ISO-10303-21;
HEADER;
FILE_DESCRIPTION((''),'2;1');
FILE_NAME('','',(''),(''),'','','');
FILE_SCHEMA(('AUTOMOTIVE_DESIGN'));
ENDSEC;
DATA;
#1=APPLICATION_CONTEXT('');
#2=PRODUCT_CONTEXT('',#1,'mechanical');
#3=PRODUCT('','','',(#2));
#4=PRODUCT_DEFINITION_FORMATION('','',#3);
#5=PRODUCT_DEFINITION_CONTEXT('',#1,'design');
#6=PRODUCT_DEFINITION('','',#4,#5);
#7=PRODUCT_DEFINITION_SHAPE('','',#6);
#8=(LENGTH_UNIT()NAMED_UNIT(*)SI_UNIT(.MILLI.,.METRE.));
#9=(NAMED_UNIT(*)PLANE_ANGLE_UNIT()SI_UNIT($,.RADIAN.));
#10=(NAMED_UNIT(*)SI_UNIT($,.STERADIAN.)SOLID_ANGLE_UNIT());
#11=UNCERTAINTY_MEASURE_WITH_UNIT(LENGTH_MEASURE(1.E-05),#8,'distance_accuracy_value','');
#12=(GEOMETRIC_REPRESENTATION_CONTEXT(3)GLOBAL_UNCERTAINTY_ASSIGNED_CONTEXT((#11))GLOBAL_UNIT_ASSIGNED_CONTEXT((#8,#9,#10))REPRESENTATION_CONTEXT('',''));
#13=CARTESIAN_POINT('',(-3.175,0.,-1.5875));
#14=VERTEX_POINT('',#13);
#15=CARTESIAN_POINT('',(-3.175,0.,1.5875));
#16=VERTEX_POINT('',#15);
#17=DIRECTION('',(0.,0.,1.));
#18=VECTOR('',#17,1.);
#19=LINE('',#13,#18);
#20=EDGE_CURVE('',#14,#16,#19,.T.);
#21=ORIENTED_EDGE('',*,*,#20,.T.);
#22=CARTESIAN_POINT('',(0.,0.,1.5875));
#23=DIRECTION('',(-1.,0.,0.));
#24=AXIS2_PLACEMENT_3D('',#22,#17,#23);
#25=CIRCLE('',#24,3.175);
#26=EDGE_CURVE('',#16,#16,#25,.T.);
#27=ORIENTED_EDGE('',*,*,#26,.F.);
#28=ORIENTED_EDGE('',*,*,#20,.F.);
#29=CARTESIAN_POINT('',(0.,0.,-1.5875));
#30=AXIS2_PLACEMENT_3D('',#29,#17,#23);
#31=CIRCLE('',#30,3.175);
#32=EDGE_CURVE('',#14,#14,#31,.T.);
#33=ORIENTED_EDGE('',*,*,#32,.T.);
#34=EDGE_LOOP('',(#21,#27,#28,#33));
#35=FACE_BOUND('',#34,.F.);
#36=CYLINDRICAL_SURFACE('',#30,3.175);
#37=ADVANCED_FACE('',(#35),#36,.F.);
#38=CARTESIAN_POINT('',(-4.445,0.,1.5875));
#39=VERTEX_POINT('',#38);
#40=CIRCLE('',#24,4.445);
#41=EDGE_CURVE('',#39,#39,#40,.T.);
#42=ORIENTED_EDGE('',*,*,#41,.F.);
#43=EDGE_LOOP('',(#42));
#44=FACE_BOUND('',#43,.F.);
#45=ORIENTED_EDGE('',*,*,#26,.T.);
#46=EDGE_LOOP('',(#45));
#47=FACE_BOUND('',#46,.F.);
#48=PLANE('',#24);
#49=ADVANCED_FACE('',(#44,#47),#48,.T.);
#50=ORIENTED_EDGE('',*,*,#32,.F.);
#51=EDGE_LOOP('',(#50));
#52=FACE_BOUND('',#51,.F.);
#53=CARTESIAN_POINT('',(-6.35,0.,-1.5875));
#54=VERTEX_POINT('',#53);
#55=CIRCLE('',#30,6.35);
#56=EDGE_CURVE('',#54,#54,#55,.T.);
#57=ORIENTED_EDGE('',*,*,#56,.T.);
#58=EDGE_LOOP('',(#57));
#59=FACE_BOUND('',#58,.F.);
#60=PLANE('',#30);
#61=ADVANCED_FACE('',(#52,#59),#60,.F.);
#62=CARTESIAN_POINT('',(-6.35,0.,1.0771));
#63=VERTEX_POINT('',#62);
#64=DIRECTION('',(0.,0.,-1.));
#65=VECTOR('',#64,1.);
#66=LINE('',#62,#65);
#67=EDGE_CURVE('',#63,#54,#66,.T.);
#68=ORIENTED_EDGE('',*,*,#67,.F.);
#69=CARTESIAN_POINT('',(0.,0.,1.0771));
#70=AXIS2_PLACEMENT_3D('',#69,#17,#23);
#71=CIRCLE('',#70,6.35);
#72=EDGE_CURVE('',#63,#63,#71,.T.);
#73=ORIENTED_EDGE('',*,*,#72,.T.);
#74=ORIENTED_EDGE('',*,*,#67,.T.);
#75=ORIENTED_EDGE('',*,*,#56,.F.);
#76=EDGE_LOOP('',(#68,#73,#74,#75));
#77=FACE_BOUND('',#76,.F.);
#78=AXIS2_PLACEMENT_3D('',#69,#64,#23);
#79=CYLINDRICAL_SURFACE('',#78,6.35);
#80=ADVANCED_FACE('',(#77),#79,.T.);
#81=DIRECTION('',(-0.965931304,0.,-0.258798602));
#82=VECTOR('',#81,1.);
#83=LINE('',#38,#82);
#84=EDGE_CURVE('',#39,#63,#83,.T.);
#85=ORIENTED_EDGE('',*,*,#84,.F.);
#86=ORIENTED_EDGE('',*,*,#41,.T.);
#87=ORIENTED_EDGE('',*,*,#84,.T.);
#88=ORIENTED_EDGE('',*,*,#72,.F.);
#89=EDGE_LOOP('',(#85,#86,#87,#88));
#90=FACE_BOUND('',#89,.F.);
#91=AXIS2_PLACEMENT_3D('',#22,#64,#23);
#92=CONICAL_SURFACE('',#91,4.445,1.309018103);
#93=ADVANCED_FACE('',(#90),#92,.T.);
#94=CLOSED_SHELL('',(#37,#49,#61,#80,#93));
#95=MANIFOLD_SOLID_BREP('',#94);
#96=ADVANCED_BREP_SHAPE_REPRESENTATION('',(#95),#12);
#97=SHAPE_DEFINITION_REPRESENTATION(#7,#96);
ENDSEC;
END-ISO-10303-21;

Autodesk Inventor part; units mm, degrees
ref_plane "YZ Plane" through (0, 0, 0) normal (1, 0, 0) x (0, 1, 0)
ref_plane "XZ Plane" through (0, 0, 0) normal (0, 1, 0) x (-1, 0, 0)
ref_plane "XY Plane" through (0, 0, 0) normal (0, 0, 1) x (1, 0, 0)
sketch "Sketch2" plane through (0, 0, 0) normal (0, 1, 0) x (-1, 0, 0)
  line L0 (3.175, -1.5875) -> (3.175, 1.5875)
  line L1 (6.35, 1.0771) -> (6.35, -1.5875)
  line L2 (6.35, -1.5875) -> (3.175, -1.5875)
  line L3 (0, -2.2225) -> (0, 2.2225) construction
  line L4 (3.175, 1.5875) -> (4.445, 1.5875)
  line L5 (4.445, 1.5875) -> (6.35, 1.0771)
  point P0 (0, 0)
  point P1 (3.175, 0)
  dimension "d0" = 6.35
  dimension "d1" = 12.7
  dimension "d7" = 3.175
  dimension "d8" = 15
  dimension "d9" = 1.27
revolve "Revolution1" add sketch "Sketch2" angle 360 about axis through (0, 0, -10) along (0, 0, 1)
properties part number "SPACER,BEARING,SLIDE,TOP,ELEVATOR" material "3D Print Material - chopped carbon Nylon12 (preferred)"
